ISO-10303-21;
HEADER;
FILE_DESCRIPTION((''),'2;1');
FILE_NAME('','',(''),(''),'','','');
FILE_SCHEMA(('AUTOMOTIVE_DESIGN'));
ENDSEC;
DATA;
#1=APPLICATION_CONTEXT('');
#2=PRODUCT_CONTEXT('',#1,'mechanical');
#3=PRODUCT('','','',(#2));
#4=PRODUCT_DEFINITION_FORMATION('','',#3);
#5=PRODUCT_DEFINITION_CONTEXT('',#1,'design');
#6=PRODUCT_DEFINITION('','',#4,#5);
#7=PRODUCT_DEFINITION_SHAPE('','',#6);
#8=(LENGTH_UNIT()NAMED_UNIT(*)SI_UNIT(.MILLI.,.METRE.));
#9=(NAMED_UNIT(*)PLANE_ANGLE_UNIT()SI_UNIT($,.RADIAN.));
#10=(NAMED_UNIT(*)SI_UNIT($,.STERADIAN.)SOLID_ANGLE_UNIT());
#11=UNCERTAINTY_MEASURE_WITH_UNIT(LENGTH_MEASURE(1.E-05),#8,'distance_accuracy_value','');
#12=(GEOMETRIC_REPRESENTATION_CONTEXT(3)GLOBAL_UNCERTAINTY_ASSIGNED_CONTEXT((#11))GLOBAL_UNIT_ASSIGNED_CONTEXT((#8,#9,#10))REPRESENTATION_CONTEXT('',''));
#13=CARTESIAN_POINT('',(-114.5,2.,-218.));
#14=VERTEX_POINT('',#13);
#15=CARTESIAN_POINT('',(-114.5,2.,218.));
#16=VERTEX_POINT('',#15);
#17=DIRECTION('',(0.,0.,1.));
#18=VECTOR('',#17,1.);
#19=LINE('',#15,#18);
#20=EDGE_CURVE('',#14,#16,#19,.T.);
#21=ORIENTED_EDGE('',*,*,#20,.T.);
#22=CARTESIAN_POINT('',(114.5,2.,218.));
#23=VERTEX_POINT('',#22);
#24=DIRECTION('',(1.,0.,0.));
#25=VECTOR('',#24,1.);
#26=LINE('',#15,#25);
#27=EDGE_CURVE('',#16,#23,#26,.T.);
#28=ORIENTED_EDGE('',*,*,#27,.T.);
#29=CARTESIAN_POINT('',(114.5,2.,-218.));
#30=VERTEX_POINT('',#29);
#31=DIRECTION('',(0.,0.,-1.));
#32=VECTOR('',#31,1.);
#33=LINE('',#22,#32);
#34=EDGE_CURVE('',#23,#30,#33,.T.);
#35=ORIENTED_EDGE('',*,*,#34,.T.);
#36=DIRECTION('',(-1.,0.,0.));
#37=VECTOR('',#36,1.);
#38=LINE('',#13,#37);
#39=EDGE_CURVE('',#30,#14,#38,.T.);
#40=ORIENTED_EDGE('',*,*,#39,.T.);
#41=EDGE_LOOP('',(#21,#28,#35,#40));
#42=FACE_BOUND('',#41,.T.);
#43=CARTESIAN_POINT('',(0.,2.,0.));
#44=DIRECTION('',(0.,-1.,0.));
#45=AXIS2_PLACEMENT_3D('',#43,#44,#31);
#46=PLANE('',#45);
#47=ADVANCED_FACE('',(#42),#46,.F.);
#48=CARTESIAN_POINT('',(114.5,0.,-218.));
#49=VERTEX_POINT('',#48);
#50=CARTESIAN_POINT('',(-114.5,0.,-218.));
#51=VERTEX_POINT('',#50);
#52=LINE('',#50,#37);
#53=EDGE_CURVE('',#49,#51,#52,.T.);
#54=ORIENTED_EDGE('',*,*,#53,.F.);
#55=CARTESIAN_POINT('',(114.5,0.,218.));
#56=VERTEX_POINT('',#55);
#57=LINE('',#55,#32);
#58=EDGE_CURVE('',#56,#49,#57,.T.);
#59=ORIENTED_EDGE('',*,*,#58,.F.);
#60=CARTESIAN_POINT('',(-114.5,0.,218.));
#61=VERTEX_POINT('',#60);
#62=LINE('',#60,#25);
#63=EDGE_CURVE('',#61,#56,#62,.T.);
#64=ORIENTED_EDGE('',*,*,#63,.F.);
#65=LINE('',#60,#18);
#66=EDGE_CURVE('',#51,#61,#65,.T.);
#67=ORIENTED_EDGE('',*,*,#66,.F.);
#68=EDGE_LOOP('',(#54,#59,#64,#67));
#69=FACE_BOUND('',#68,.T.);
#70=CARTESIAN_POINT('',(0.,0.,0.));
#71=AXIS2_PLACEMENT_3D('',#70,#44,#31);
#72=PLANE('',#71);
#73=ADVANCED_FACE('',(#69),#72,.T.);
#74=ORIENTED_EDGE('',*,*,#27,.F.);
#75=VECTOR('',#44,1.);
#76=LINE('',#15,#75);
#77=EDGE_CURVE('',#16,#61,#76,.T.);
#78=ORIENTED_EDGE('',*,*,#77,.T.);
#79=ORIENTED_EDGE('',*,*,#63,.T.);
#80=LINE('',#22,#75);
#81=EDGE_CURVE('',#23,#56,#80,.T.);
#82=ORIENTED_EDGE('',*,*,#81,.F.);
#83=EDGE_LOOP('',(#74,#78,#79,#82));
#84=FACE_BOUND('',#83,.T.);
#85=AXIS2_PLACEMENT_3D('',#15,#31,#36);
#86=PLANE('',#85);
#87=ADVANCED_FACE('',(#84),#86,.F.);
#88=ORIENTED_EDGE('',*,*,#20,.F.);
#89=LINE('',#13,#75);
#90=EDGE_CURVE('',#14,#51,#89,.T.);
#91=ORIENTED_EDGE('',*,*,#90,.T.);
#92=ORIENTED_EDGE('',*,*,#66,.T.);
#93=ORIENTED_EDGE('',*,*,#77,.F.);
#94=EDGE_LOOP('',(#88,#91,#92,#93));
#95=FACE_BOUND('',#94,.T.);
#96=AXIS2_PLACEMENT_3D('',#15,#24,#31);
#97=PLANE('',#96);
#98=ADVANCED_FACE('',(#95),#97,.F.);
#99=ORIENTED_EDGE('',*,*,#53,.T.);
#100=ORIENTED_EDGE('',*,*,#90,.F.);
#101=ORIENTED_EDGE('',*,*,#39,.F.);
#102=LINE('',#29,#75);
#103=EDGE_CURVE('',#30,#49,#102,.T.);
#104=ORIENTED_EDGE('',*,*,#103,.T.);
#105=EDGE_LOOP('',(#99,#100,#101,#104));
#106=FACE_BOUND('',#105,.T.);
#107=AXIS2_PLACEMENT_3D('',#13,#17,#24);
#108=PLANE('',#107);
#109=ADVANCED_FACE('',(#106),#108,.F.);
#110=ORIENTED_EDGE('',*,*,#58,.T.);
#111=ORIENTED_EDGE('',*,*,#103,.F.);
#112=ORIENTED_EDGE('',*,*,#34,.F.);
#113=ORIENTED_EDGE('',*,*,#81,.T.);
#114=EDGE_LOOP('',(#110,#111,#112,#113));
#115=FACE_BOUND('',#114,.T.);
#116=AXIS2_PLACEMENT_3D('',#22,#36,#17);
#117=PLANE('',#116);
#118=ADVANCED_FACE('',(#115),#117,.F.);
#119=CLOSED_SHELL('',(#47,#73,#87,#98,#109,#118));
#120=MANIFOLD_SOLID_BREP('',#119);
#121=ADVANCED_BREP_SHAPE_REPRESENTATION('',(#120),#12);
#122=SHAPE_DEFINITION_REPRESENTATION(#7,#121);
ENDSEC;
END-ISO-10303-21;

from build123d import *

# Parameters (mm, degrees)
SKETCH_1_W      = 229
SKETCH_1_H      = 436
EXTRUDE_1_DEPTH = 2


with BuildPart() as part:
    # 草图1 → 凸台-拉伸1 (new body)
    with BuildSketch(Plane(origin=(0, 0, 0), x_dir=(1, 0, 0), z_dir=(0, 1, 0))):
        Rectangle(SKETCH_1_W, SKETCH_1_H)
    extrude(amount=EXTRUDE_1_DEPTH)


solid = part.part
